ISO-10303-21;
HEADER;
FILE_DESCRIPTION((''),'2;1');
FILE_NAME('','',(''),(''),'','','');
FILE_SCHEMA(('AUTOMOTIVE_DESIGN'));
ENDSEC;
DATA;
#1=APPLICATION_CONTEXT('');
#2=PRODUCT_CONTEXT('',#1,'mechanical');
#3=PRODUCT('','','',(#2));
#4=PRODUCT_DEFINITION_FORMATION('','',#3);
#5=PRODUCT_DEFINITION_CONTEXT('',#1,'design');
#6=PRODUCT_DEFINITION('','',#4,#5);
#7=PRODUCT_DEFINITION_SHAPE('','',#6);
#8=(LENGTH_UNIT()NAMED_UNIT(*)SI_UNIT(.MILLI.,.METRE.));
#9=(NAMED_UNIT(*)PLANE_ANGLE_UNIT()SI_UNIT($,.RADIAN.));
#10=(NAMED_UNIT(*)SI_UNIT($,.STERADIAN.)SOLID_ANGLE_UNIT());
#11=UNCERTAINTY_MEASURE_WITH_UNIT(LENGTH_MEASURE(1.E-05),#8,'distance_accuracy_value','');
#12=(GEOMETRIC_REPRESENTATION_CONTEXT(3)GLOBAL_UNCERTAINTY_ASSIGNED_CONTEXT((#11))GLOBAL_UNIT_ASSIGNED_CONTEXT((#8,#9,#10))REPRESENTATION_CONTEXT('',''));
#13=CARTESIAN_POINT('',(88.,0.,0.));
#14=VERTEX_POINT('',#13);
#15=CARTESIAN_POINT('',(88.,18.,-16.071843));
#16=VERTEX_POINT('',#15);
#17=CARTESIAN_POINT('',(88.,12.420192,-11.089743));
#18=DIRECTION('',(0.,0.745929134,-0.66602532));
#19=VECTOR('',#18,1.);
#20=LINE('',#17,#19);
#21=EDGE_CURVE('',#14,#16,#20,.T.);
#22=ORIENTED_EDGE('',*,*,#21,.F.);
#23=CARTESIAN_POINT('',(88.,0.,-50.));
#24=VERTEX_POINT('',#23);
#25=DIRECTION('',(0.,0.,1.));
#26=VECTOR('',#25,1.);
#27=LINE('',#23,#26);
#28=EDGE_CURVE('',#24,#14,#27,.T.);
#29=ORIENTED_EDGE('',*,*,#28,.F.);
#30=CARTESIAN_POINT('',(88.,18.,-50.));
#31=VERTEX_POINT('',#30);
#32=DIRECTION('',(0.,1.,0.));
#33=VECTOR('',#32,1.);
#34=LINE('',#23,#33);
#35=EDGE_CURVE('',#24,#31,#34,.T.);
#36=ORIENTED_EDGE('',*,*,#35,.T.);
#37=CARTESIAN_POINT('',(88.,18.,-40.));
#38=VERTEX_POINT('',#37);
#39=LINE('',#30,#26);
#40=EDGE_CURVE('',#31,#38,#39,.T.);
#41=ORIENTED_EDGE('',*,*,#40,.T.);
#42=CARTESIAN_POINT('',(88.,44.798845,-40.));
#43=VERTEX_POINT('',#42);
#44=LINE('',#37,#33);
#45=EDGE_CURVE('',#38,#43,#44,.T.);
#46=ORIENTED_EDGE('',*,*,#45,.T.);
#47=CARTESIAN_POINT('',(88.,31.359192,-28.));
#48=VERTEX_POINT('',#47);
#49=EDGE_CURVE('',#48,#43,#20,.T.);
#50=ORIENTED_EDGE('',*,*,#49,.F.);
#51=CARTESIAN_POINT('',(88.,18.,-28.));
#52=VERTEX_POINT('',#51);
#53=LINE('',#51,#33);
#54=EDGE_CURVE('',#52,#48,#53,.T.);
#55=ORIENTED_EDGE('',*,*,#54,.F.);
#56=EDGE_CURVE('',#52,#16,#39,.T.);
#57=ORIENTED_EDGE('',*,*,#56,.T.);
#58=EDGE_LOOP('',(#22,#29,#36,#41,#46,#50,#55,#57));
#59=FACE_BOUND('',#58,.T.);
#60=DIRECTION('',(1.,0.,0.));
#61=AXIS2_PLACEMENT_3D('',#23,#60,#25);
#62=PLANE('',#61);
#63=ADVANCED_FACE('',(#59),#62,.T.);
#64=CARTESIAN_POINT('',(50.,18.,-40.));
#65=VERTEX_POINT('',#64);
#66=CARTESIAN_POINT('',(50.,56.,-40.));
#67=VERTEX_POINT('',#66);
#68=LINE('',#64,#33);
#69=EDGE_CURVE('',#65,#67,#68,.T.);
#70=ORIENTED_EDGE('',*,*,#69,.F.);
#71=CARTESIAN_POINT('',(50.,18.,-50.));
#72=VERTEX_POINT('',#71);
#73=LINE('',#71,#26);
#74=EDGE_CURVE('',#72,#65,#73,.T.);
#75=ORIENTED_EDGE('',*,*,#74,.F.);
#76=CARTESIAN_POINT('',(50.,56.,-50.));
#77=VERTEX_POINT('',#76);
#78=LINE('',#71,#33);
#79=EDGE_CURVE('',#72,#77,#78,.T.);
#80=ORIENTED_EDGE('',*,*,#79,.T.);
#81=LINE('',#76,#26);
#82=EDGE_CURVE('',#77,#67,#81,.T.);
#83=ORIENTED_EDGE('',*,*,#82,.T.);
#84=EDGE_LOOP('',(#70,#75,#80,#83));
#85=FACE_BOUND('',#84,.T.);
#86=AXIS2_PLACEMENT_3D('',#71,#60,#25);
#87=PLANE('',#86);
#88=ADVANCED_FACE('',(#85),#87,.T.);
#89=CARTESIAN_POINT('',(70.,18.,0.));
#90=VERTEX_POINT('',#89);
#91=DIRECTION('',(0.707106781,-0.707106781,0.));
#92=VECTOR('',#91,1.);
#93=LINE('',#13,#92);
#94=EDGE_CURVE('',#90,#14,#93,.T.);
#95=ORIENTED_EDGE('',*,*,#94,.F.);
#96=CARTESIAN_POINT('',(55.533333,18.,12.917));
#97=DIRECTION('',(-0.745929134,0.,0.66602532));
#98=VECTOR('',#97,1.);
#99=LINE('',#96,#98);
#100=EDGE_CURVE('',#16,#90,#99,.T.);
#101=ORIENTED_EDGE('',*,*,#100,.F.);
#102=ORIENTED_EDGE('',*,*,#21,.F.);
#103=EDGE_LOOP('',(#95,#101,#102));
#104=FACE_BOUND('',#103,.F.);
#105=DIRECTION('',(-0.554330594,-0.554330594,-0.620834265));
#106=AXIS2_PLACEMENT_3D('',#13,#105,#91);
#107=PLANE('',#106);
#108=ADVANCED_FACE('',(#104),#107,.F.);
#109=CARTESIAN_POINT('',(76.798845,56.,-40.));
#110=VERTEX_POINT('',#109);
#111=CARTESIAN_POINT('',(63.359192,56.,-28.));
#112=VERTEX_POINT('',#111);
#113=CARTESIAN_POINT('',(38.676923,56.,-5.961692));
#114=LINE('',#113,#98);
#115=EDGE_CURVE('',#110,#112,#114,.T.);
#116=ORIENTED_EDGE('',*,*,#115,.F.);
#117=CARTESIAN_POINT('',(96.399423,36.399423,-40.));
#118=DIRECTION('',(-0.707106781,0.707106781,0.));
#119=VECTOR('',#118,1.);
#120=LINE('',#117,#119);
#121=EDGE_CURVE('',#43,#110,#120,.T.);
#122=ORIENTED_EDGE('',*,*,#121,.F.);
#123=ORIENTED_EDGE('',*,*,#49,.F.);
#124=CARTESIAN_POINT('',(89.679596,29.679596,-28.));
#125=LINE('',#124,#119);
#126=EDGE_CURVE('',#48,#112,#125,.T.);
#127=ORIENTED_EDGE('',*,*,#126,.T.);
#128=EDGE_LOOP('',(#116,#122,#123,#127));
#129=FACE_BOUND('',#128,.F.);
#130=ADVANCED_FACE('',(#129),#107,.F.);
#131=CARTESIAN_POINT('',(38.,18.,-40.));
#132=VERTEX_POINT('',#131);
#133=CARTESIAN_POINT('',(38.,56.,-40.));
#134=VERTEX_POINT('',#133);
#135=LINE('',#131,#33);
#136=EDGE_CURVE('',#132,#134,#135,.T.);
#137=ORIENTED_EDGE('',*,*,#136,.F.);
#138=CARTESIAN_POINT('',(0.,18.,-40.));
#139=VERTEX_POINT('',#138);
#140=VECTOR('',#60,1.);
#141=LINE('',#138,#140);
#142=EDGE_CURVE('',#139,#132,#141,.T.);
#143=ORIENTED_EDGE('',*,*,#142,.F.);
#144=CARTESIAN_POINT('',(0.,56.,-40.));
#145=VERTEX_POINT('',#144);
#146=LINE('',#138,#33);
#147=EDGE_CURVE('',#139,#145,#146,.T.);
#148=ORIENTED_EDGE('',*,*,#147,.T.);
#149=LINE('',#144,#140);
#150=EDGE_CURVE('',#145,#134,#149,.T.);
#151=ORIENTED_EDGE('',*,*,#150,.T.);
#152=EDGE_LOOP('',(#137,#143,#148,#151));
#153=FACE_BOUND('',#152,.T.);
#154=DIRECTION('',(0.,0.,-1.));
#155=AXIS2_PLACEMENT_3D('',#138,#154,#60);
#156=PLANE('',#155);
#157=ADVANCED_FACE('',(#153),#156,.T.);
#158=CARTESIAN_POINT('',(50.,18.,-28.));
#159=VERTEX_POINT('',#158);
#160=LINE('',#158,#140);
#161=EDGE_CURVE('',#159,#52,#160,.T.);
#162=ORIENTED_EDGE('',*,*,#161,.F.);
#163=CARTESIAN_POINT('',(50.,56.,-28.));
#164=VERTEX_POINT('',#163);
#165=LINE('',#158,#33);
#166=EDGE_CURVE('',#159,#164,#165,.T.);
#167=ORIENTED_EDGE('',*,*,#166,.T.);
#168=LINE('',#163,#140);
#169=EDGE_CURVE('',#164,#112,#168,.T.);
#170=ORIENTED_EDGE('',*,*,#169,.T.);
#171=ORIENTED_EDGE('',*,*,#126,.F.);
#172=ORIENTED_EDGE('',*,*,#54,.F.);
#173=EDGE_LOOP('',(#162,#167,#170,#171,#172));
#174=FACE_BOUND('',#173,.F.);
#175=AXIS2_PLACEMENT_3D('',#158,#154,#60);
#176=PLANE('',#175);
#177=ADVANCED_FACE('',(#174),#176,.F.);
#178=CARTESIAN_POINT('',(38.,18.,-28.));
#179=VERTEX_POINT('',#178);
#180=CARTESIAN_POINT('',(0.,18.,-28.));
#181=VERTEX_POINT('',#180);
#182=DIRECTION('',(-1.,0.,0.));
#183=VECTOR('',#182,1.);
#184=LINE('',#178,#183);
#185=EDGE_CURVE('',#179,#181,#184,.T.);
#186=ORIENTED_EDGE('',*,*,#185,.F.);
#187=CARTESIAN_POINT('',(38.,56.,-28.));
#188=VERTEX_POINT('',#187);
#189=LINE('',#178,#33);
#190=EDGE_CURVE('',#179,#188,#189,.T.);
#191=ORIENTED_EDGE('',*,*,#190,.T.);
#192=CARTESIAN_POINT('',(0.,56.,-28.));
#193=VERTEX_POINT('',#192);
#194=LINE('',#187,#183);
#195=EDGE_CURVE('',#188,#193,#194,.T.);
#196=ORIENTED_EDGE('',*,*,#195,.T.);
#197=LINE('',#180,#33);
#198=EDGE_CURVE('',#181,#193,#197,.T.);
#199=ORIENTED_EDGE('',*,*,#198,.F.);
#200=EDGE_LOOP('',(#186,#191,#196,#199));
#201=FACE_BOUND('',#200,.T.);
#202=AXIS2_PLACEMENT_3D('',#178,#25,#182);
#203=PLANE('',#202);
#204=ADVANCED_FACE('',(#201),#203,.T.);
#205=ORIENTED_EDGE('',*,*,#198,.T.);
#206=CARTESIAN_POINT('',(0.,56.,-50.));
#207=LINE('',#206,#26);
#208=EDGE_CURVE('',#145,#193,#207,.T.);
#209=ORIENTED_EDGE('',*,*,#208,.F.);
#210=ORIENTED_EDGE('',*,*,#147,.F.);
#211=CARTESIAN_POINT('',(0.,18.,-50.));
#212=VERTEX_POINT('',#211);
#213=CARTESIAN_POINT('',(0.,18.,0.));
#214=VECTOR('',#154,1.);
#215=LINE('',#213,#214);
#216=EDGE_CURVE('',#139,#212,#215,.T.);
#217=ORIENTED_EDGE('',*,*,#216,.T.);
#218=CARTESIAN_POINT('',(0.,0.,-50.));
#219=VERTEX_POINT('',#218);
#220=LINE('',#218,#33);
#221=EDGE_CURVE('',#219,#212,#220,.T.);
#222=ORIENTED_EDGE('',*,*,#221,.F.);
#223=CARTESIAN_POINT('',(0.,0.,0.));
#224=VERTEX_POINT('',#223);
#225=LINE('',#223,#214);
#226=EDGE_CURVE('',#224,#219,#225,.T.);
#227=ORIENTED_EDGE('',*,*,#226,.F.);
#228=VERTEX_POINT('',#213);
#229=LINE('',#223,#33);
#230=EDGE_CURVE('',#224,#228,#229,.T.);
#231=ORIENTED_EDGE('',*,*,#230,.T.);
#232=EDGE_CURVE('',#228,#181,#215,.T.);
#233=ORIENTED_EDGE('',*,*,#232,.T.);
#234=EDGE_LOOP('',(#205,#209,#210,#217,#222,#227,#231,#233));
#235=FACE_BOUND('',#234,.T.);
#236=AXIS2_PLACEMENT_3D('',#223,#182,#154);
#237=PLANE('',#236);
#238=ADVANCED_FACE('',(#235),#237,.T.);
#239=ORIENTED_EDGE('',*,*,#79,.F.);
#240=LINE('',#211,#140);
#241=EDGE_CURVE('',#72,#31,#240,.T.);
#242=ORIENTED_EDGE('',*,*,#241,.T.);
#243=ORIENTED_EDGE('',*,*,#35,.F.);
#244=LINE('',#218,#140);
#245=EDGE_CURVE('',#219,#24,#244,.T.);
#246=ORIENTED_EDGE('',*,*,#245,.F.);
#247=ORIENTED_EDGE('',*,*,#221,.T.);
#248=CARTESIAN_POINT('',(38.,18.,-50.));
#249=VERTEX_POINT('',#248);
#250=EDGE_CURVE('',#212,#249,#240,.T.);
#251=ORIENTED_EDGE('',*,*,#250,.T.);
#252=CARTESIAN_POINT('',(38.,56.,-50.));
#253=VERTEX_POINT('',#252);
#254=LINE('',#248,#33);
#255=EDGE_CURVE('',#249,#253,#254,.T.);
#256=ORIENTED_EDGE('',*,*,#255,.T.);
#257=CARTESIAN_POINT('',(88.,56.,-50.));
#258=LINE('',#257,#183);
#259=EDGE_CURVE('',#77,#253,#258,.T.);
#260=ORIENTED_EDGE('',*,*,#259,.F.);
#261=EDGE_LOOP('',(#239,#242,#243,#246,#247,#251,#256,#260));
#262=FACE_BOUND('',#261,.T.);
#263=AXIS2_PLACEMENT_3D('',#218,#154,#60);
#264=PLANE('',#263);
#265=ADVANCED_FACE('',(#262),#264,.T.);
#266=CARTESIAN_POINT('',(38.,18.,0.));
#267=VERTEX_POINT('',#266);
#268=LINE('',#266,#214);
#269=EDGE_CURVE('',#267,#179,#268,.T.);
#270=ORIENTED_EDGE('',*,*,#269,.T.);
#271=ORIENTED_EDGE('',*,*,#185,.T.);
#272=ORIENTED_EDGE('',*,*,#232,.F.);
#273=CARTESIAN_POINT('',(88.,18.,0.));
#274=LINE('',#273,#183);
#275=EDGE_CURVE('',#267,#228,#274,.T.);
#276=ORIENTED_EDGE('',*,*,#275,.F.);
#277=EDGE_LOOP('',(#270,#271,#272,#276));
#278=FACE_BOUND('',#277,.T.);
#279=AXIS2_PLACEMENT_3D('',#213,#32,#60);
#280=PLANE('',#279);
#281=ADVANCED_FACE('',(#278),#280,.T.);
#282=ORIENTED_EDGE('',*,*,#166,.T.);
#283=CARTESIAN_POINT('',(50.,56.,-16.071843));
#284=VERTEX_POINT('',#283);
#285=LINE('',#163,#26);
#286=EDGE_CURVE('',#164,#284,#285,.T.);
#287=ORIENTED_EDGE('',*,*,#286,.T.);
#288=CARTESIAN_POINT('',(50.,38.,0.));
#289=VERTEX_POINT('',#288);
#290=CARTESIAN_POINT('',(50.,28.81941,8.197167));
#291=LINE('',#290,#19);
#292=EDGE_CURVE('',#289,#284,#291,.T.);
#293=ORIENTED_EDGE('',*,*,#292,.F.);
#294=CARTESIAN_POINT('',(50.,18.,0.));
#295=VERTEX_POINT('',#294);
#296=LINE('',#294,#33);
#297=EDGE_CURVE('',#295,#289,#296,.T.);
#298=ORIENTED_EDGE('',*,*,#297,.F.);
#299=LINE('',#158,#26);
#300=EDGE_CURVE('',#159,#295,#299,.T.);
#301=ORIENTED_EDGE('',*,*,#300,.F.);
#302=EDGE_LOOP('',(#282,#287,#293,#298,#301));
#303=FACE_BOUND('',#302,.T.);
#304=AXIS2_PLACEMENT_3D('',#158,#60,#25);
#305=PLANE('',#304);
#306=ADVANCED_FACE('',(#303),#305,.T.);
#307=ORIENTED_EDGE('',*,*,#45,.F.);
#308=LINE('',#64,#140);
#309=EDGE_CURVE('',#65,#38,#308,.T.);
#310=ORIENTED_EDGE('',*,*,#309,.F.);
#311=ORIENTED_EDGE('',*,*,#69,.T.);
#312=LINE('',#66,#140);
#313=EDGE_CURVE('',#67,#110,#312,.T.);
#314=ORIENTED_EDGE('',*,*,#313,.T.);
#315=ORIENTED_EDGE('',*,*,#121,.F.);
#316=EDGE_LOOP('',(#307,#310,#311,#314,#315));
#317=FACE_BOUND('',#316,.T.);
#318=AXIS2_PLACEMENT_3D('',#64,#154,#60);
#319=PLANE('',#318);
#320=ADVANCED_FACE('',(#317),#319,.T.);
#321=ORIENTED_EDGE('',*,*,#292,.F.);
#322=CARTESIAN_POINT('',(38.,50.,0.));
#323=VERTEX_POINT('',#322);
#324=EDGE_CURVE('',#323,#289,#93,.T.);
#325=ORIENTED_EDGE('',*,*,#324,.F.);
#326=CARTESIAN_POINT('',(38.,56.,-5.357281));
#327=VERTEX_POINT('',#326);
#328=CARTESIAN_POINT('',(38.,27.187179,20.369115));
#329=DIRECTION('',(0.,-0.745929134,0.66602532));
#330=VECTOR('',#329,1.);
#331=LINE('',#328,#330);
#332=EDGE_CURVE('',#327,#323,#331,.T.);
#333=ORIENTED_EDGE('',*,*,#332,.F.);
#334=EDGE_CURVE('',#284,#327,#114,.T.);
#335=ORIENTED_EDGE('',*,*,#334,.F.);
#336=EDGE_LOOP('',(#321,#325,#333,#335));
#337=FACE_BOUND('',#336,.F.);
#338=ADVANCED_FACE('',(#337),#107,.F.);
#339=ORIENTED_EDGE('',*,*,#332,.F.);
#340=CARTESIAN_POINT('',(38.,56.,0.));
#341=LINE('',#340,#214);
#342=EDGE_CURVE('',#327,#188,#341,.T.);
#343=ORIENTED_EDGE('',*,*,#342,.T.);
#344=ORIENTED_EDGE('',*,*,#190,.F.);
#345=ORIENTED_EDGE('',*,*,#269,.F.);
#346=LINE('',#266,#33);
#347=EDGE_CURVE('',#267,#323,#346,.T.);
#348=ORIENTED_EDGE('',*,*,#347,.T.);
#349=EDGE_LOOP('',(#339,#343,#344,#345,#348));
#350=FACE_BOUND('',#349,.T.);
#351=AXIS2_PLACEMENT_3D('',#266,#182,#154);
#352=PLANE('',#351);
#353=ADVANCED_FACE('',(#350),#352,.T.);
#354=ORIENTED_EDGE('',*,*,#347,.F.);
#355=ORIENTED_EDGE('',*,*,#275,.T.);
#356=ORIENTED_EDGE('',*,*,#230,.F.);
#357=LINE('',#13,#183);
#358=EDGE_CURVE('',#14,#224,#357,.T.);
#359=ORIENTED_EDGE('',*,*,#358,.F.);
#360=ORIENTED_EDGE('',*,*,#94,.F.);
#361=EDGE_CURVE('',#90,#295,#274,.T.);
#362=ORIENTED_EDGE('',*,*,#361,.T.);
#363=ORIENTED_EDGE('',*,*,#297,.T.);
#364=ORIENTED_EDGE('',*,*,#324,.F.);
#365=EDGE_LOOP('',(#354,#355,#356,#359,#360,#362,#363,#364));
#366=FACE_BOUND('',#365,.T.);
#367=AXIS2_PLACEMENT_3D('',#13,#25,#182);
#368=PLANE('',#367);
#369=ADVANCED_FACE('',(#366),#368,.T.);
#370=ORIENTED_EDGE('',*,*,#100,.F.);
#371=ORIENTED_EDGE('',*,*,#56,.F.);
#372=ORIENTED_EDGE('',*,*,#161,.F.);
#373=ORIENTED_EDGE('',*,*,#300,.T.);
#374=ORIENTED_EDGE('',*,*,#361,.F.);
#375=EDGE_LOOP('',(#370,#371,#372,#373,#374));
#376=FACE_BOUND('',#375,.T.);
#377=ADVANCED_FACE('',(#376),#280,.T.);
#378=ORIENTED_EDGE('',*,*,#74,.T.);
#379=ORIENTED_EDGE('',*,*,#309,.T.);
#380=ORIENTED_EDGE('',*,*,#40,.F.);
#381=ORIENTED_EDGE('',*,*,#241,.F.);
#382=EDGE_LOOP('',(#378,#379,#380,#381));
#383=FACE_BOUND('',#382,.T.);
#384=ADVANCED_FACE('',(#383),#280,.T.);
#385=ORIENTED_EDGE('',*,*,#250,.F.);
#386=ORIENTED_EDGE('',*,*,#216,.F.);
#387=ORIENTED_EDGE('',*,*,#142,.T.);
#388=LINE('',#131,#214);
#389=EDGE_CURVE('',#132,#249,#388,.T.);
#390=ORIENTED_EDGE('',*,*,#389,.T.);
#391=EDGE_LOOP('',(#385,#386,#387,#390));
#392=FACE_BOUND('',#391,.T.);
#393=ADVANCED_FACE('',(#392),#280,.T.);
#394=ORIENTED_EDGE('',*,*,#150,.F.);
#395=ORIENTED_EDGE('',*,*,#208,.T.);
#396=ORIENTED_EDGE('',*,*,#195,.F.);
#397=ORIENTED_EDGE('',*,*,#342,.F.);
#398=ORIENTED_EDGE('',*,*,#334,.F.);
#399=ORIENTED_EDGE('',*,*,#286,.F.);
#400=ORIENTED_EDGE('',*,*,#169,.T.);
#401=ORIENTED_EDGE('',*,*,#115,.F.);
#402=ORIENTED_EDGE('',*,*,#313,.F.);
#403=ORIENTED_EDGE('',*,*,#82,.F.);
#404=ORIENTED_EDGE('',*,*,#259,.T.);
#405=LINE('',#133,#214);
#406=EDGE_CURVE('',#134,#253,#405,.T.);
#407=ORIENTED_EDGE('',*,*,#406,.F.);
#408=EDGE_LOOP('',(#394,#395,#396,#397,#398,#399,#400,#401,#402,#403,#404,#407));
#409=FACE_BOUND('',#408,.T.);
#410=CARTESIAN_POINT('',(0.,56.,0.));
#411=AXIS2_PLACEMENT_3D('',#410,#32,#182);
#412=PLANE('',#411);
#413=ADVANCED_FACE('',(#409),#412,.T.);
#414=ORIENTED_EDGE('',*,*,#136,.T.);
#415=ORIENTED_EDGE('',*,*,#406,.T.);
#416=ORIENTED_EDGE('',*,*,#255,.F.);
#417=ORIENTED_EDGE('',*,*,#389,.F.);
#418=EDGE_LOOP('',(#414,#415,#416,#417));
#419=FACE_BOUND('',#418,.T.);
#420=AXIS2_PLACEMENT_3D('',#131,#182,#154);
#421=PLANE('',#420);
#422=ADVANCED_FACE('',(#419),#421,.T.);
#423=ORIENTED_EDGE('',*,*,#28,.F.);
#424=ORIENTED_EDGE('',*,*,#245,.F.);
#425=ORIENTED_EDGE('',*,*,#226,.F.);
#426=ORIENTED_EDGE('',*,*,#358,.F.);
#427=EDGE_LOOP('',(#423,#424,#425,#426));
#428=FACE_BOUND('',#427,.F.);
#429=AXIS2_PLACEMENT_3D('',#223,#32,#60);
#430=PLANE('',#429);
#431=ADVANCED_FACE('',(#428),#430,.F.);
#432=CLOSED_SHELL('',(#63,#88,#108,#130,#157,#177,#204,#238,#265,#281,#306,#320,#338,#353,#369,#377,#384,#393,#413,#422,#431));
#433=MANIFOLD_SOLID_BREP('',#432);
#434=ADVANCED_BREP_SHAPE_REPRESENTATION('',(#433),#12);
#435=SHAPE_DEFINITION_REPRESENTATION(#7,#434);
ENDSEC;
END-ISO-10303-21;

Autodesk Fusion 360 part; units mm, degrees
sketch "Sketch1" plane through (0, 0, 0) normal (0, 1, 0) x (1, 0, 0)
  line L0 (0, 0) -> (0, 50)
  line L1 (0, 50) -> (88, 50)
  line L2 (88, 50) -> (88, 0)
  line L3 (88, 0) -> (0, 0)
  dimension "d1" = 50
  dimension "d2" = 88
extrude "Extrude1" add sketch "Sketch1" along normal blind 18
sketch "Sketch2" plane through (0, 18, 0) normal (0, 1, 0) x (-1, 0, 0)
  line L0 (-88, 0) -> (-88, -50)
  line L1 (-88, -50) -> (0, -50)
  line L2 (0, -50) -> (0, 0)
  line L3 (0, 0) -> (-88, 0)
  line L4 (-38, 0) -> (-38, -28)
  line L5 (-38, -28) -> (0, -28)
  line L6 (0, -28) -> (0, -40)
  line L7 (0, -40) -> (-38, -40)
  line L8 (-38, -40) -> (-38, -50)
  line L9 (-38, -50) -> (-50, -50)
  line L10 (-50, -50) -> (-50, -40)
  line L11 (-50, -40) -> (-88, -40)
  line L12 (-88, -40) -> (-88, -28)
  line L13 (-50, -28) -> (-50, 0)
  line L14 (-38, 0) -> (-50, 0)
  line L15 (-50, -28) -> (-88, -28)
  line L16 (-50, 0) -> (-38, 0)
extrude "Extrude2" add sketch "Sketch2" along normal blind 38 contours L0 L1 L2 L3 L4 L5 L6 L7 L8 L9 L10 L11 L12 L13 L14 L15 L16
sketch "Sketch3" plane through (0, 0, 0) normal (0, 0, 1) x (1, 0, 0)
sketch "Sketch4" plane through (0, 0, 0) normal (0, 0, 1) x (1, 0, 0)
  line L0 (0, 0) -> (88, 0)
  line L1 (88, 0) -> (88, 18)
  line L2 (88, 18) -> (50, 18)
  line L3 (50, 18) -> (50, 56)
  line L4 (50, 56) -> (38, 56)
  line L5 (38, 56) -> (38, 18)
  line L6 (38, 18) -> (0, 18)
  line L7 (0, 18) -> (0, 0)
  line L8 (88, 0) -> (-2.3828, 0) construction
sketch "Sketch5" plane through (88, 0, 0) normal (1, 0, 0) x (0, 0, -1)
  line L0 (0, 0) -> (50, 0)
  line L1 (50, 0) -> (50, 18)
  line L2 (50, 18) -> (40, 18)
  line L3 (40, 18) -> (40, 56)
  line L4 (40, 56) -> (28, 56)
  line L5 (28, 56) -> (28, 18)
  line L6 (28, 18) -> (0, 18)
  line L7 (0, 18) -> (0, 0)
sketch "Sketch6" plane through (0, 0, 0) normal (0, 0, 1) x (1, 0, 0)
sketch "Sketch7" plane through (0, 0, 0) normal (0, 0, 1) x (1, 0, 0)
sketch "Sketch9" plane through (0, 0, 0) normal (0, 0, 1) x (1, 0, 0)
sketch "Sketch10" plane through (0, 56, 0) normal (0, 1, 0) x (-1, 0, 0)
  line L0 (-50, -28) -> (-88, -28)
  line L1 (-88, -28) -> (-88, -40)
  line L2 (-88, -40) -> (-50, -40)
  line L3 (-50, -40) -> (-50, -50)
  line L4 (-50, -50) -> (-38, -50)
  line L5 (-38, -50) -> (-38, -40)
  line L6 (-38, -40) -> (0, -40)
  line L7 (0, -40) -> (0, -28)
  line L8 (0, -28) -> (-38, -28)
  line L9 (-38, -28) -> (-38, 0)
  line L10 (-38, 0) -> (-50, 0)
  line L11 (-50, 0) -> (-50, -28)
sketch "Sketch11" plane through (0, 0, 0) normal (0, 0, 1) x (1, 0, 0)
ref_plane "WorkPlane1" through (88, 0, 0) normal (-0.5543, -0.5543, -0.6208) x (0.7071, -0.7071, 0)
sketch "Sketch12" plane through (88, 0, 0) normal (-0.5543, -0.5543, -0.6208) x (0.7071, -0.7071, 0)
  line L0 (-83.6898, 2.465) -> (-36.8291, -71.3922)
  line L1 (-36.8291, -71.3922) -> (9.1129, 2.465)
  line L2 (9.1129, 2.465) -> (-83.6898, 2.465)
extrude "Extrude3" cut sketch "Sketch12" against normal blind 15
